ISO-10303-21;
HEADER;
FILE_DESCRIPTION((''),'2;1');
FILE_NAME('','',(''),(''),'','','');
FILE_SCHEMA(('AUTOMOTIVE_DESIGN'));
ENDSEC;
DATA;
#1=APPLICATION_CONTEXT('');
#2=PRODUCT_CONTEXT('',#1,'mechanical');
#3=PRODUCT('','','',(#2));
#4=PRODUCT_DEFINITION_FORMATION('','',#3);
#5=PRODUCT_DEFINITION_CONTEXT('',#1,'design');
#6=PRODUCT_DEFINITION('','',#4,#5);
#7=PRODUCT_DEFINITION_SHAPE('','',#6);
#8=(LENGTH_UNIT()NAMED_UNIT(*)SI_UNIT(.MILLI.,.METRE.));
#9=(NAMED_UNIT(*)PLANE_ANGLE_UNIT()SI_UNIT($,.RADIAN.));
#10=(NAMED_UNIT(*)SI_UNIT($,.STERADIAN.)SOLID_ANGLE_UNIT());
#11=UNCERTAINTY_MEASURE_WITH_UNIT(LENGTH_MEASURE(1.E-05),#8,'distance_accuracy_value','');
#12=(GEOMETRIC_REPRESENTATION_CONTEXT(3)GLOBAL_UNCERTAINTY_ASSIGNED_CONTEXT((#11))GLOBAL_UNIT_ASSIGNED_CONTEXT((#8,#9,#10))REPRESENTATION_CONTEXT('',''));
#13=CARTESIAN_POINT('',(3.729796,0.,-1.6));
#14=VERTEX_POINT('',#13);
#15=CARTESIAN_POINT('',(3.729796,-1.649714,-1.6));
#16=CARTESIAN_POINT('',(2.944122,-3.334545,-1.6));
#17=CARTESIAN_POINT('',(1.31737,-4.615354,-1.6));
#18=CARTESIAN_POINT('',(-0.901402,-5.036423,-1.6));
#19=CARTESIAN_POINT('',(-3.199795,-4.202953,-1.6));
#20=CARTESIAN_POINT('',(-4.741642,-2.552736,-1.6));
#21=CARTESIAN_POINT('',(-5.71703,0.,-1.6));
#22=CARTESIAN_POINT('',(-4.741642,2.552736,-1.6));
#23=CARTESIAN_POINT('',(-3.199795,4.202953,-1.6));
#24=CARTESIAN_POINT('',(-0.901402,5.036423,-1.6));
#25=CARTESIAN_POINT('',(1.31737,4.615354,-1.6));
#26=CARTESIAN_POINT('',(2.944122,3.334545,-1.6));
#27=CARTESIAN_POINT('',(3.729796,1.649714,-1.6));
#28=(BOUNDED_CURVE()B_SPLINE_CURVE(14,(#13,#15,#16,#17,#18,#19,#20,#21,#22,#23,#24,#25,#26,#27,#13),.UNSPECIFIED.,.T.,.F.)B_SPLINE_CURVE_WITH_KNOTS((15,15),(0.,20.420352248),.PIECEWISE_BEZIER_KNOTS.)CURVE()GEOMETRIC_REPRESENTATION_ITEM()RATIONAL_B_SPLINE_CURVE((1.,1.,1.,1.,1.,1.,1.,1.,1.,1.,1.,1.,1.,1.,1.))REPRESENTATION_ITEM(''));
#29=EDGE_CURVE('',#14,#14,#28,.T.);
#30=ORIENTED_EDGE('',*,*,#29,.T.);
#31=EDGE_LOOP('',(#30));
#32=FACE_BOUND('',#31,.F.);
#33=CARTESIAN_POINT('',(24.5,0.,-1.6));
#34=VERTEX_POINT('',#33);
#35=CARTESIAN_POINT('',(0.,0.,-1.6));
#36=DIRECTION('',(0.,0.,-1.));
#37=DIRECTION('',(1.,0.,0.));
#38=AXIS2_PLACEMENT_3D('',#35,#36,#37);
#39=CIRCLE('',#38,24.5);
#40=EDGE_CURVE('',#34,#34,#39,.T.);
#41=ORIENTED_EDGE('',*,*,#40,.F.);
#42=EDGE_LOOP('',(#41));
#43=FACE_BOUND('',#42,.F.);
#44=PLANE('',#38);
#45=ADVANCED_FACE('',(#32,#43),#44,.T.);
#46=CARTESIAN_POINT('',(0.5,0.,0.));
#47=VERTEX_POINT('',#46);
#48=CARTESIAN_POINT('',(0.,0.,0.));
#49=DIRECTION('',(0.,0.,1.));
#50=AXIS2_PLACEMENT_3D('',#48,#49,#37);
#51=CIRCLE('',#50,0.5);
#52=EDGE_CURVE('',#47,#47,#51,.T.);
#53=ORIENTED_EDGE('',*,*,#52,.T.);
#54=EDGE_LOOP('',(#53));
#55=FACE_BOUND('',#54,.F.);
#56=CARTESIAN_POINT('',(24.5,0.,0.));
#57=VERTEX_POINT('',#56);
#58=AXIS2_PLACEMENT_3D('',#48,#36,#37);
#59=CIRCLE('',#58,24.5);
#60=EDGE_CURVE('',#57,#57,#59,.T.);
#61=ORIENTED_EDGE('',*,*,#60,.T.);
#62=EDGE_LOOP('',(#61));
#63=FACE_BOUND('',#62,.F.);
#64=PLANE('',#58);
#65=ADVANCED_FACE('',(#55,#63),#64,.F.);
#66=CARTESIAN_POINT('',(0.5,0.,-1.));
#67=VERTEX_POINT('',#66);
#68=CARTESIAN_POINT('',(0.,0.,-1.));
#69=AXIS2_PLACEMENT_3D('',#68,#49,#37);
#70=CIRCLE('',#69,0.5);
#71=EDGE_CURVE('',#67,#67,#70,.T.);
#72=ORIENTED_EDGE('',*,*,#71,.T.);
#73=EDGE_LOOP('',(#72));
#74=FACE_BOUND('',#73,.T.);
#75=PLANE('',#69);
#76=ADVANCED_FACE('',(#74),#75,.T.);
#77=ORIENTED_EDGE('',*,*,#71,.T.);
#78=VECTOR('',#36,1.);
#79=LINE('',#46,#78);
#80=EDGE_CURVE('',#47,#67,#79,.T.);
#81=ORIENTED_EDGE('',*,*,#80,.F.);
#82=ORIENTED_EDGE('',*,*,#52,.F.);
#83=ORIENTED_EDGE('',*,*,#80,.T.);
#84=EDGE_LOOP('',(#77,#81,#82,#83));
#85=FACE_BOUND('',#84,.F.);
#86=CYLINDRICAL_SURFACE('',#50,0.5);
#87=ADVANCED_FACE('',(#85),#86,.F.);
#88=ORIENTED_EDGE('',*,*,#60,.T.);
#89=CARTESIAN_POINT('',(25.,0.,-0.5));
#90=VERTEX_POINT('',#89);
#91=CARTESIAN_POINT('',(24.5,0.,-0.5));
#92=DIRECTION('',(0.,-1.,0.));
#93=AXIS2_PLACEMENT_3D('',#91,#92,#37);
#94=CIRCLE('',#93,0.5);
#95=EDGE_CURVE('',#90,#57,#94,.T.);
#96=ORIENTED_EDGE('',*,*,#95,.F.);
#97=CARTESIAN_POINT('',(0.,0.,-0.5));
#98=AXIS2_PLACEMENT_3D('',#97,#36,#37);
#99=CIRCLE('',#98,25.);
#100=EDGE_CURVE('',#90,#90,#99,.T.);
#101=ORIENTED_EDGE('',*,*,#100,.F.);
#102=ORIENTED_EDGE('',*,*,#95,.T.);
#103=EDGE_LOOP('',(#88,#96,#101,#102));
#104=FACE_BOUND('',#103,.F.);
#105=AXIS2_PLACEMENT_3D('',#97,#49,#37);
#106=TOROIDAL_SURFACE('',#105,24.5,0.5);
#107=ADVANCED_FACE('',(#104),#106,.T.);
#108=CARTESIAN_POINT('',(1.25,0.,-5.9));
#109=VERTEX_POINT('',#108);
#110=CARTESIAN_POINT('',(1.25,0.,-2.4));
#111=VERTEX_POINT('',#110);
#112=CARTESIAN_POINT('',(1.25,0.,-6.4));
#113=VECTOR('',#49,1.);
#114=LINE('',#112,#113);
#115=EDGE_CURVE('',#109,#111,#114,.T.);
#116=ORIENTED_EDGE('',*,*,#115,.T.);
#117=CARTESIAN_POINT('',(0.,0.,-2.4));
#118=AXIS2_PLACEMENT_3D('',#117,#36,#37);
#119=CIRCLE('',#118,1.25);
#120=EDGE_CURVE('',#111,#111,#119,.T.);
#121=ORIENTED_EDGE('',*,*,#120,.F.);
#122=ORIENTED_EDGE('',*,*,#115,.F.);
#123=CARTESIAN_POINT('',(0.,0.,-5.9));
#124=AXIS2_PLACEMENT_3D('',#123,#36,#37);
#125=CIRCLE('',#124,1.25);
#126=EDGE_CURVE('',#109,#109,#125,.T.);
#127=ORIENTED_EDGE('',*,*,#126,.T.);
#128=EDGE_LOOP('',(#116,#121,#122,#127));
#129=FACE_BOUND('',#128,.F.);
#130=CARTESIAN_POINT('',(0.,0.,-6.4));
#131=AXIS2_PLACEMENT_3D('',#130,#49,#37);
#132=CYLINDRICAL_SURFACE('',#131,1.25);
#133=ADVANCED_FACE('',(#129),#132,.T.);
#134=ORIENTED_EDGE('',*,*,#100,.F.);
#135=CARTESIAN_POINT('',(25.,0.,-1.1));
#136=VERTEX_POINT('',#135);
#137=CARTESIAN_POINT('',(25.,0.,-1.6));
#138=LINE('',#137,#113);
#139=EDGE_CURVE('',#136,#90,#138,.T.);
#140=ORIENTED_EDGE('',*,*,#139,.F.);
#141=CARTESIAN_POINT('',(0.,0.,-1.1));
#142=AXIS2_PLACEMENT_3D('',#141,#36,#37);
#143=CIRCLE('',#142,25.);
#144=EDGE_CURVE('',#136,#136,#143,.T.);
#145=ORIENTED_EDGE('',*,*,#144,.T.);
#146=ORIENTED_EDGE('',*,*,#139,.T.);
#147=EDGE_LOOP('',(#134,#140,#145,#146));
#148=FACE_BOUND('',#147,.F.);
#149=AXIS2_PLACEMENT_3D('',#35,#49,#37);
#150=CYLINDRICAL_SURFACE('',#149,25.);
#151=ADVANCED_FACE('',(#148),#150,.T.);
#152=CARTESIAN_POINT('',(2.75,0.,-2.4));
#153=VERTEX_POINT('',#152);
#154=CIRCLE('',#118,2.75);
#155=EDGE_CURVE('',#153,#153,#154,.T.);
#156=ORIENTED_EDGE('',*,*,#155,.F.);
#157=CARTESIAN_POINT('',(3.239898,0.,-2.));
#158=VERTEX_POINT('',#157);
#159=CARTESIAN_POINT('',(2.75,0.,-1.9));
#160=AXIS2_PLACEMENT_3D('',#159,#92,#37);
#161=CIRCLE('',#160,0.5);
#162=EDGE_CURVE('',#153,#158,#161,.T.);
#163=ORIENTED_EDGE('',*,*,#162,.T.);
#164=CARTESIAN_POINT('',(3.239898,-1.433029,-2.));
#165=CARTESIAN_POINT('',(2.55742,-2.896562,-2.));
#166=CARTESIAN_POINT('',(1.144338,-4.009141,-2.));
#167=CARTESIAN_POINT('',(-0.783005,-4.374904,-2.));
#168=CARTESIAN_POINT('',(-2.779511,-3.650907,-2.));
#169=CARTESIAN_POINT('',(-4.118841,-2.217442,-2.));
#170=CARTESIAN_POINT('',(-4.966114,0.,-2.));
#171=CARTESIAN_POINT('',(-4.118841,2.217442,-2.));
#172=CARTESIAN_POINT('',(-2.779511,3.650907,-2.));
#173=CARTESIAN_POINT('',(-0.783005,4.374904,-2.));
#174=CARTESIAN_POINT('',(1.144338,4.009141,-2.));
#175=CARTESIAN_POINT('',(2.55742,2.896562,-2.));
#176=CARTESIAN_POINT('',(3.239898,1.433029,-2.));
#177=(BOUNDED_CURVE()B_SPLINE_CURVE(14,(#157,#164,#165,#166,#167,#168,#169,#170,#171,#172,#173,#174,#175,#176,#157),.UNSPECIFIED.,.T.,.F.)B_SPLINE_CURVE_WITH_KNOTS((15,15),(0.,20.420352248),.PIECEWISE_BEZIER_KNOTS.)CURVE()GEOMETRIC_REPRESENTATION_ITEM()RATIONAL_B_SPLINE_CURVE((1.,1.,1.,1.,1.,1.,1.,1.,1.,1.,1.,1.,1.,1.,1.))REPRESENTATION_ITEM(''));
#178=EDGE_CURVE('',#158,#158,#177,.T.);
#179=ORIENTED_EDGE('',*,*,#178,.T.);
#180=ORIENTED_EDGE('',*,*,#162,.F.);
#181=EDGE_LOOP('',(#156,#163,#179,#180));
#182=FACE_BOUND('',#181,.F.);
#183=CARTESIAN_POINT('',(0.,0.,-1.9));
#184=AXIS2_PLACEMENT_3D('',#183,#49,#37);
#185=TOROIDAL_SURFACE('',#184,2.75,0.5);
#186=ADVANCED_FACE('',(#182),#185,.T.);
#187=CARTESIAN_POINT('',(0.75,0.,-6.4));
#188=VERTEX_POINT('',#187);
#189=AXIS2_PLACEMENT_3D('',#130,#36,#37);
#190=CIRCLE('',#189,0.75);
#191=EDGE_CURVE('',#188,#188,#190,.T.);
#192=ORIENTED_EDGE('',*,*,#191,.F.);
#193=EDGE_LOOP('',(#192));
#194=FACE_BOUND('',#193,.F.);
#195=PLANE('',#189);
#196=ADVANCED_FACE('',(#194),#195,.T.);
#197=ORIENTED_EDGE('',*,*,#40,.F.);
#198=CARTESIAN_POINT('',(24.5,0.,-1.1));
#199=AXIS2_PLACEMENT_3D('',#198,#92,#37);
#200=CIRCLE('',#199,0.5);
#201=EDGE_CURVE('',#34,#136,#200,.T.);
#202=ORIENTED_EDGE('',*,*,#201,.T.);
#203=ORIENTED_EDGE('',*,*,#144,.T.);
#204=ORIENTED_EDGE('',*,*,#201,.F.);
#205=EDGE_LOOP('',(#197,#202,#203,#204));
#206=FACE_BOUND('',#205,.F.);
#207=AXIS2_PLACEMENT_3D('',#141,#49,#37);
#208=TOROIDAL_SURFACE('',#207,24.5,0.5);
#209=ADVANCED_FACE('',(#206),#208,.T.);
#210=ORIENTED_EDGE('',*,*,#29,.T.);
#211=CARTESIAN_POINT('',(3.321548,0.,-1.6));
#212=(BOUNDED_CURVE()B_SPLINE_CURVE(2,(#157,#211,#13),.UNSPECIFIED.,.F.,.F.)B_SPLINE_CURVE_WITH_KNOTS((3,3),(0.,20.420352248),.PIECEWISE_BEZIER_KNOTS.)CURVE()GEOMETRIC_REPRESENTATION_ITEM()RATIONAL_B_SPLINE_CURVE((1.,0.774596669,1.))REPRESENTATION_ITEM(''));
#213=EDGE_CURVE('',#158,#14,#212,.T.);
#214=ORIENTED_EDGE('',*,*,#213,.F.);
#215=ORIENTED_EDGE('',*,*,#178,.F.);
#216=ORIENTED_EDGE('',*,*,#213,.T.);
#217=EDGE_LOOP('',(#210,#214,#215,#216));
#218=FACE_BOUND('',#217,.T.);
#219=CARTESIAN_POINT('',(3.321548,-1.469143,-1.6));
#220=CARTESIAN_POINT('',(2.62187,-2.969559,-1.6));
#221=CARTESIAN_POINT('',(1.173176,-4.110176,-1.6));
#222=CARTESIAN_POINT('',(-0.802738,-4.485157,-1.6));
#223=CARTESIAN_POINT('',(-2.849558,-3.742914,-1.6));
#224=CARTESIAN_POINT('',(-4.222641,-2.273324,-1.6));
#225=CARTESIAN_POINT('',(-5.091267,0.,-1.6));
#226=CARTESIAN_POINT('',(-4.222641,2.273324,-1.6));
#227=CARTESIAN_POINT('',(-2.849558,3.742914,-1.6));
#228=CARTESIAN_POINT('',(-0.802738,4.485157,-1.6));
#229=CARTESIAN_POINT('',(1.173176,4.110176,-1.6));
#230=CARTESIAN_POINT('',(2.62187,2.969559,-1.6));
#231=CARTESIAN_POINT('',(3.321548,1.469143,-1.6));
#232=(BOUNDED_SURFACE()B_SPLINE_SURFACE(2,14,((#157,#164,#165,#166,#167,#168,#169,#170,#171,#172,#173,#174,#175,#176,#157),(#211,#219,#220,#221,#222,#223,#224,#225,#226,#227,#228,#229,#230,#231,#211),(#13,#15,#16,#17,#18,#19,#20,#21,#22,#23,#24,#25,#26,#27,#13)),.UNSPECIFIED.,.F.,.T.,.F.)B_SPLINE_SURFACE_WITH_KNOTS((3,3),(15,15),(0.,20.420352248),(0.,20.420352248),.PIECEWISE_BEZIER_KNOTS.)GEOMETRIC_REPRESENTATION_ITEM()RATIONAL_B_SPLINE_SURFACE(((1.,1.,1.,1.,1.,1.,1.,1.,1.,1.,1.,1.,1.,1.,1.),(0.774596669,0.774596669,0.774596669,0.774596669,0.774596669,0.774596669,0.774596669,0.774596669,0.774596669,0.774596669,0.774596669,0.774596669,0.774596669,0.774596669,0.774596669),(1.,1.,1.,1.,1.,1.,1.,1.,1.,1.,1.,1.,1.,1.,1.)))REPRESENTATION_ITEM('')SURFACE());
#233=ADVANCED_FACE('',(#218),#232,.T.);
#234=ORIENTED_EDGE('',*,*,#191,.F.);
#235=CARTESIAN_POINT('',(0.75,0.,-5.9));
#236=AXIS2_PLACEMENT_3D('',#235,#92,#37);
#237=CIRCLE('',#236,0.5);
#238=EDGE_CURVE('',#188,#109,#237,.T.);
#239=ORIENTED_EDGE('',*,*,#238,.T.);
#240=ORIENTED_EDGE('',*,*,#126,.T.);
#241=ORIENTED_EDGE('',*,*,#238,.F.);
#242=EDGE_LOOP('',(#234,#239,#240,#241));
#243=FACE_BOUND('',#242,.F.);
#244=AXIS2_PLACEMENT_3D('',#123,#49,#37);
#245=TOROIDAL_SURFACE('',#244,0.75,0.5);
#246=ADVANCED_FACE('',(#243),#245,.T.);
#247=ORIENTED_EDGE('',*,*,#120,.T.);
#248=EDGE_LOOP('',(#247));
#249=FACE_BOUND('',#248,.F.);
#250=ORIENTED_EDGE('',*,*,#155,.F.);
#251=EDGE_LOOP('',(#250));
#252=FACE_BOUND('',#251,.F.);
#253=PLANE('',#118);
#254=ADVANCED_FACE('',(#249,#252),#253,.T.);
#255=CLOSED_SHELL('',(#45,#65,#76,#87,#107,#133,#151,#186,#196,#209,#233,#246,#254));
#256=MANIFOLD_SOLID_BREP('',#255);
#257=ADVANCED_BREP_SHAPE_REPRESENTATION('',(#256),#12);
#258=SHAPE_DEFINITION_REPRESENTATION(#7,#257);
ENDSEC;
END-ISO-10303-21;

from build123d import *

# Parameters (mm, degrees)
F2_R     = 0.5
F3_R     = 0.5
F4_R     = 0.5
F5_R     = 0.5
F6_R     = 0.5
F7_R     = 0.5
F8_DEPTH = 1


with BuildPart() as f1:
    # F0 (on Front) → F1 (revolve)
    with BuildSketch(Plane.XZ):
        Polygon((25, 0), (0, 0), (0, -6.4), (1.25, -6.4), (1.25, -2.4), (3.25, -2.4), (3.25, -1.6), (25, -1.6), align=None)
    revolve(axis=Axis((0, 0, 0.442708), (0, 0, -1)))

    # F2
    f2_edges = [f1.edges().sort_by_distance(p)[0] for p in [
        (-1.25, 0, -6.4),
    ]]
    fillet(f2_edges, radius=F2_R)

    # F3
    f3_edges = [f1.edges().sort_by_distance(p)[0] for p in [
        (-3.25, 0, -2.4),
    ]]
    fillet(f3_edges, radius=F3_R)

    # F4
    f4_edges = [f1.edges().sort_by_distance(p)[0] for p in [
        (-3.25, 0, -1.6),
    ]]
    fillet(f4_edges, radius=F4_R)

    # F5
    f5_edges = [f1.edges().sort_by_distance(p)[0] for p in [
        (-25, 0, -1.6),
    ]]
    fillet(f5_edges, radius=F5_R)

    # F6
    f6_edges = [f1.edges().sort_by_distance(p)[0] for p in [
        (-25, 0, 0),
    ]]
    fillet(f6_edges, radius=F6_R)

    # F7 (on face) → F8 (cut)
    with BuildSketch(Plane.XY):
        Circle(F7_R)
    extrude(amount=-F8_DEPTH, mode=Mode.SUBTRACT)


solid = f1.part
